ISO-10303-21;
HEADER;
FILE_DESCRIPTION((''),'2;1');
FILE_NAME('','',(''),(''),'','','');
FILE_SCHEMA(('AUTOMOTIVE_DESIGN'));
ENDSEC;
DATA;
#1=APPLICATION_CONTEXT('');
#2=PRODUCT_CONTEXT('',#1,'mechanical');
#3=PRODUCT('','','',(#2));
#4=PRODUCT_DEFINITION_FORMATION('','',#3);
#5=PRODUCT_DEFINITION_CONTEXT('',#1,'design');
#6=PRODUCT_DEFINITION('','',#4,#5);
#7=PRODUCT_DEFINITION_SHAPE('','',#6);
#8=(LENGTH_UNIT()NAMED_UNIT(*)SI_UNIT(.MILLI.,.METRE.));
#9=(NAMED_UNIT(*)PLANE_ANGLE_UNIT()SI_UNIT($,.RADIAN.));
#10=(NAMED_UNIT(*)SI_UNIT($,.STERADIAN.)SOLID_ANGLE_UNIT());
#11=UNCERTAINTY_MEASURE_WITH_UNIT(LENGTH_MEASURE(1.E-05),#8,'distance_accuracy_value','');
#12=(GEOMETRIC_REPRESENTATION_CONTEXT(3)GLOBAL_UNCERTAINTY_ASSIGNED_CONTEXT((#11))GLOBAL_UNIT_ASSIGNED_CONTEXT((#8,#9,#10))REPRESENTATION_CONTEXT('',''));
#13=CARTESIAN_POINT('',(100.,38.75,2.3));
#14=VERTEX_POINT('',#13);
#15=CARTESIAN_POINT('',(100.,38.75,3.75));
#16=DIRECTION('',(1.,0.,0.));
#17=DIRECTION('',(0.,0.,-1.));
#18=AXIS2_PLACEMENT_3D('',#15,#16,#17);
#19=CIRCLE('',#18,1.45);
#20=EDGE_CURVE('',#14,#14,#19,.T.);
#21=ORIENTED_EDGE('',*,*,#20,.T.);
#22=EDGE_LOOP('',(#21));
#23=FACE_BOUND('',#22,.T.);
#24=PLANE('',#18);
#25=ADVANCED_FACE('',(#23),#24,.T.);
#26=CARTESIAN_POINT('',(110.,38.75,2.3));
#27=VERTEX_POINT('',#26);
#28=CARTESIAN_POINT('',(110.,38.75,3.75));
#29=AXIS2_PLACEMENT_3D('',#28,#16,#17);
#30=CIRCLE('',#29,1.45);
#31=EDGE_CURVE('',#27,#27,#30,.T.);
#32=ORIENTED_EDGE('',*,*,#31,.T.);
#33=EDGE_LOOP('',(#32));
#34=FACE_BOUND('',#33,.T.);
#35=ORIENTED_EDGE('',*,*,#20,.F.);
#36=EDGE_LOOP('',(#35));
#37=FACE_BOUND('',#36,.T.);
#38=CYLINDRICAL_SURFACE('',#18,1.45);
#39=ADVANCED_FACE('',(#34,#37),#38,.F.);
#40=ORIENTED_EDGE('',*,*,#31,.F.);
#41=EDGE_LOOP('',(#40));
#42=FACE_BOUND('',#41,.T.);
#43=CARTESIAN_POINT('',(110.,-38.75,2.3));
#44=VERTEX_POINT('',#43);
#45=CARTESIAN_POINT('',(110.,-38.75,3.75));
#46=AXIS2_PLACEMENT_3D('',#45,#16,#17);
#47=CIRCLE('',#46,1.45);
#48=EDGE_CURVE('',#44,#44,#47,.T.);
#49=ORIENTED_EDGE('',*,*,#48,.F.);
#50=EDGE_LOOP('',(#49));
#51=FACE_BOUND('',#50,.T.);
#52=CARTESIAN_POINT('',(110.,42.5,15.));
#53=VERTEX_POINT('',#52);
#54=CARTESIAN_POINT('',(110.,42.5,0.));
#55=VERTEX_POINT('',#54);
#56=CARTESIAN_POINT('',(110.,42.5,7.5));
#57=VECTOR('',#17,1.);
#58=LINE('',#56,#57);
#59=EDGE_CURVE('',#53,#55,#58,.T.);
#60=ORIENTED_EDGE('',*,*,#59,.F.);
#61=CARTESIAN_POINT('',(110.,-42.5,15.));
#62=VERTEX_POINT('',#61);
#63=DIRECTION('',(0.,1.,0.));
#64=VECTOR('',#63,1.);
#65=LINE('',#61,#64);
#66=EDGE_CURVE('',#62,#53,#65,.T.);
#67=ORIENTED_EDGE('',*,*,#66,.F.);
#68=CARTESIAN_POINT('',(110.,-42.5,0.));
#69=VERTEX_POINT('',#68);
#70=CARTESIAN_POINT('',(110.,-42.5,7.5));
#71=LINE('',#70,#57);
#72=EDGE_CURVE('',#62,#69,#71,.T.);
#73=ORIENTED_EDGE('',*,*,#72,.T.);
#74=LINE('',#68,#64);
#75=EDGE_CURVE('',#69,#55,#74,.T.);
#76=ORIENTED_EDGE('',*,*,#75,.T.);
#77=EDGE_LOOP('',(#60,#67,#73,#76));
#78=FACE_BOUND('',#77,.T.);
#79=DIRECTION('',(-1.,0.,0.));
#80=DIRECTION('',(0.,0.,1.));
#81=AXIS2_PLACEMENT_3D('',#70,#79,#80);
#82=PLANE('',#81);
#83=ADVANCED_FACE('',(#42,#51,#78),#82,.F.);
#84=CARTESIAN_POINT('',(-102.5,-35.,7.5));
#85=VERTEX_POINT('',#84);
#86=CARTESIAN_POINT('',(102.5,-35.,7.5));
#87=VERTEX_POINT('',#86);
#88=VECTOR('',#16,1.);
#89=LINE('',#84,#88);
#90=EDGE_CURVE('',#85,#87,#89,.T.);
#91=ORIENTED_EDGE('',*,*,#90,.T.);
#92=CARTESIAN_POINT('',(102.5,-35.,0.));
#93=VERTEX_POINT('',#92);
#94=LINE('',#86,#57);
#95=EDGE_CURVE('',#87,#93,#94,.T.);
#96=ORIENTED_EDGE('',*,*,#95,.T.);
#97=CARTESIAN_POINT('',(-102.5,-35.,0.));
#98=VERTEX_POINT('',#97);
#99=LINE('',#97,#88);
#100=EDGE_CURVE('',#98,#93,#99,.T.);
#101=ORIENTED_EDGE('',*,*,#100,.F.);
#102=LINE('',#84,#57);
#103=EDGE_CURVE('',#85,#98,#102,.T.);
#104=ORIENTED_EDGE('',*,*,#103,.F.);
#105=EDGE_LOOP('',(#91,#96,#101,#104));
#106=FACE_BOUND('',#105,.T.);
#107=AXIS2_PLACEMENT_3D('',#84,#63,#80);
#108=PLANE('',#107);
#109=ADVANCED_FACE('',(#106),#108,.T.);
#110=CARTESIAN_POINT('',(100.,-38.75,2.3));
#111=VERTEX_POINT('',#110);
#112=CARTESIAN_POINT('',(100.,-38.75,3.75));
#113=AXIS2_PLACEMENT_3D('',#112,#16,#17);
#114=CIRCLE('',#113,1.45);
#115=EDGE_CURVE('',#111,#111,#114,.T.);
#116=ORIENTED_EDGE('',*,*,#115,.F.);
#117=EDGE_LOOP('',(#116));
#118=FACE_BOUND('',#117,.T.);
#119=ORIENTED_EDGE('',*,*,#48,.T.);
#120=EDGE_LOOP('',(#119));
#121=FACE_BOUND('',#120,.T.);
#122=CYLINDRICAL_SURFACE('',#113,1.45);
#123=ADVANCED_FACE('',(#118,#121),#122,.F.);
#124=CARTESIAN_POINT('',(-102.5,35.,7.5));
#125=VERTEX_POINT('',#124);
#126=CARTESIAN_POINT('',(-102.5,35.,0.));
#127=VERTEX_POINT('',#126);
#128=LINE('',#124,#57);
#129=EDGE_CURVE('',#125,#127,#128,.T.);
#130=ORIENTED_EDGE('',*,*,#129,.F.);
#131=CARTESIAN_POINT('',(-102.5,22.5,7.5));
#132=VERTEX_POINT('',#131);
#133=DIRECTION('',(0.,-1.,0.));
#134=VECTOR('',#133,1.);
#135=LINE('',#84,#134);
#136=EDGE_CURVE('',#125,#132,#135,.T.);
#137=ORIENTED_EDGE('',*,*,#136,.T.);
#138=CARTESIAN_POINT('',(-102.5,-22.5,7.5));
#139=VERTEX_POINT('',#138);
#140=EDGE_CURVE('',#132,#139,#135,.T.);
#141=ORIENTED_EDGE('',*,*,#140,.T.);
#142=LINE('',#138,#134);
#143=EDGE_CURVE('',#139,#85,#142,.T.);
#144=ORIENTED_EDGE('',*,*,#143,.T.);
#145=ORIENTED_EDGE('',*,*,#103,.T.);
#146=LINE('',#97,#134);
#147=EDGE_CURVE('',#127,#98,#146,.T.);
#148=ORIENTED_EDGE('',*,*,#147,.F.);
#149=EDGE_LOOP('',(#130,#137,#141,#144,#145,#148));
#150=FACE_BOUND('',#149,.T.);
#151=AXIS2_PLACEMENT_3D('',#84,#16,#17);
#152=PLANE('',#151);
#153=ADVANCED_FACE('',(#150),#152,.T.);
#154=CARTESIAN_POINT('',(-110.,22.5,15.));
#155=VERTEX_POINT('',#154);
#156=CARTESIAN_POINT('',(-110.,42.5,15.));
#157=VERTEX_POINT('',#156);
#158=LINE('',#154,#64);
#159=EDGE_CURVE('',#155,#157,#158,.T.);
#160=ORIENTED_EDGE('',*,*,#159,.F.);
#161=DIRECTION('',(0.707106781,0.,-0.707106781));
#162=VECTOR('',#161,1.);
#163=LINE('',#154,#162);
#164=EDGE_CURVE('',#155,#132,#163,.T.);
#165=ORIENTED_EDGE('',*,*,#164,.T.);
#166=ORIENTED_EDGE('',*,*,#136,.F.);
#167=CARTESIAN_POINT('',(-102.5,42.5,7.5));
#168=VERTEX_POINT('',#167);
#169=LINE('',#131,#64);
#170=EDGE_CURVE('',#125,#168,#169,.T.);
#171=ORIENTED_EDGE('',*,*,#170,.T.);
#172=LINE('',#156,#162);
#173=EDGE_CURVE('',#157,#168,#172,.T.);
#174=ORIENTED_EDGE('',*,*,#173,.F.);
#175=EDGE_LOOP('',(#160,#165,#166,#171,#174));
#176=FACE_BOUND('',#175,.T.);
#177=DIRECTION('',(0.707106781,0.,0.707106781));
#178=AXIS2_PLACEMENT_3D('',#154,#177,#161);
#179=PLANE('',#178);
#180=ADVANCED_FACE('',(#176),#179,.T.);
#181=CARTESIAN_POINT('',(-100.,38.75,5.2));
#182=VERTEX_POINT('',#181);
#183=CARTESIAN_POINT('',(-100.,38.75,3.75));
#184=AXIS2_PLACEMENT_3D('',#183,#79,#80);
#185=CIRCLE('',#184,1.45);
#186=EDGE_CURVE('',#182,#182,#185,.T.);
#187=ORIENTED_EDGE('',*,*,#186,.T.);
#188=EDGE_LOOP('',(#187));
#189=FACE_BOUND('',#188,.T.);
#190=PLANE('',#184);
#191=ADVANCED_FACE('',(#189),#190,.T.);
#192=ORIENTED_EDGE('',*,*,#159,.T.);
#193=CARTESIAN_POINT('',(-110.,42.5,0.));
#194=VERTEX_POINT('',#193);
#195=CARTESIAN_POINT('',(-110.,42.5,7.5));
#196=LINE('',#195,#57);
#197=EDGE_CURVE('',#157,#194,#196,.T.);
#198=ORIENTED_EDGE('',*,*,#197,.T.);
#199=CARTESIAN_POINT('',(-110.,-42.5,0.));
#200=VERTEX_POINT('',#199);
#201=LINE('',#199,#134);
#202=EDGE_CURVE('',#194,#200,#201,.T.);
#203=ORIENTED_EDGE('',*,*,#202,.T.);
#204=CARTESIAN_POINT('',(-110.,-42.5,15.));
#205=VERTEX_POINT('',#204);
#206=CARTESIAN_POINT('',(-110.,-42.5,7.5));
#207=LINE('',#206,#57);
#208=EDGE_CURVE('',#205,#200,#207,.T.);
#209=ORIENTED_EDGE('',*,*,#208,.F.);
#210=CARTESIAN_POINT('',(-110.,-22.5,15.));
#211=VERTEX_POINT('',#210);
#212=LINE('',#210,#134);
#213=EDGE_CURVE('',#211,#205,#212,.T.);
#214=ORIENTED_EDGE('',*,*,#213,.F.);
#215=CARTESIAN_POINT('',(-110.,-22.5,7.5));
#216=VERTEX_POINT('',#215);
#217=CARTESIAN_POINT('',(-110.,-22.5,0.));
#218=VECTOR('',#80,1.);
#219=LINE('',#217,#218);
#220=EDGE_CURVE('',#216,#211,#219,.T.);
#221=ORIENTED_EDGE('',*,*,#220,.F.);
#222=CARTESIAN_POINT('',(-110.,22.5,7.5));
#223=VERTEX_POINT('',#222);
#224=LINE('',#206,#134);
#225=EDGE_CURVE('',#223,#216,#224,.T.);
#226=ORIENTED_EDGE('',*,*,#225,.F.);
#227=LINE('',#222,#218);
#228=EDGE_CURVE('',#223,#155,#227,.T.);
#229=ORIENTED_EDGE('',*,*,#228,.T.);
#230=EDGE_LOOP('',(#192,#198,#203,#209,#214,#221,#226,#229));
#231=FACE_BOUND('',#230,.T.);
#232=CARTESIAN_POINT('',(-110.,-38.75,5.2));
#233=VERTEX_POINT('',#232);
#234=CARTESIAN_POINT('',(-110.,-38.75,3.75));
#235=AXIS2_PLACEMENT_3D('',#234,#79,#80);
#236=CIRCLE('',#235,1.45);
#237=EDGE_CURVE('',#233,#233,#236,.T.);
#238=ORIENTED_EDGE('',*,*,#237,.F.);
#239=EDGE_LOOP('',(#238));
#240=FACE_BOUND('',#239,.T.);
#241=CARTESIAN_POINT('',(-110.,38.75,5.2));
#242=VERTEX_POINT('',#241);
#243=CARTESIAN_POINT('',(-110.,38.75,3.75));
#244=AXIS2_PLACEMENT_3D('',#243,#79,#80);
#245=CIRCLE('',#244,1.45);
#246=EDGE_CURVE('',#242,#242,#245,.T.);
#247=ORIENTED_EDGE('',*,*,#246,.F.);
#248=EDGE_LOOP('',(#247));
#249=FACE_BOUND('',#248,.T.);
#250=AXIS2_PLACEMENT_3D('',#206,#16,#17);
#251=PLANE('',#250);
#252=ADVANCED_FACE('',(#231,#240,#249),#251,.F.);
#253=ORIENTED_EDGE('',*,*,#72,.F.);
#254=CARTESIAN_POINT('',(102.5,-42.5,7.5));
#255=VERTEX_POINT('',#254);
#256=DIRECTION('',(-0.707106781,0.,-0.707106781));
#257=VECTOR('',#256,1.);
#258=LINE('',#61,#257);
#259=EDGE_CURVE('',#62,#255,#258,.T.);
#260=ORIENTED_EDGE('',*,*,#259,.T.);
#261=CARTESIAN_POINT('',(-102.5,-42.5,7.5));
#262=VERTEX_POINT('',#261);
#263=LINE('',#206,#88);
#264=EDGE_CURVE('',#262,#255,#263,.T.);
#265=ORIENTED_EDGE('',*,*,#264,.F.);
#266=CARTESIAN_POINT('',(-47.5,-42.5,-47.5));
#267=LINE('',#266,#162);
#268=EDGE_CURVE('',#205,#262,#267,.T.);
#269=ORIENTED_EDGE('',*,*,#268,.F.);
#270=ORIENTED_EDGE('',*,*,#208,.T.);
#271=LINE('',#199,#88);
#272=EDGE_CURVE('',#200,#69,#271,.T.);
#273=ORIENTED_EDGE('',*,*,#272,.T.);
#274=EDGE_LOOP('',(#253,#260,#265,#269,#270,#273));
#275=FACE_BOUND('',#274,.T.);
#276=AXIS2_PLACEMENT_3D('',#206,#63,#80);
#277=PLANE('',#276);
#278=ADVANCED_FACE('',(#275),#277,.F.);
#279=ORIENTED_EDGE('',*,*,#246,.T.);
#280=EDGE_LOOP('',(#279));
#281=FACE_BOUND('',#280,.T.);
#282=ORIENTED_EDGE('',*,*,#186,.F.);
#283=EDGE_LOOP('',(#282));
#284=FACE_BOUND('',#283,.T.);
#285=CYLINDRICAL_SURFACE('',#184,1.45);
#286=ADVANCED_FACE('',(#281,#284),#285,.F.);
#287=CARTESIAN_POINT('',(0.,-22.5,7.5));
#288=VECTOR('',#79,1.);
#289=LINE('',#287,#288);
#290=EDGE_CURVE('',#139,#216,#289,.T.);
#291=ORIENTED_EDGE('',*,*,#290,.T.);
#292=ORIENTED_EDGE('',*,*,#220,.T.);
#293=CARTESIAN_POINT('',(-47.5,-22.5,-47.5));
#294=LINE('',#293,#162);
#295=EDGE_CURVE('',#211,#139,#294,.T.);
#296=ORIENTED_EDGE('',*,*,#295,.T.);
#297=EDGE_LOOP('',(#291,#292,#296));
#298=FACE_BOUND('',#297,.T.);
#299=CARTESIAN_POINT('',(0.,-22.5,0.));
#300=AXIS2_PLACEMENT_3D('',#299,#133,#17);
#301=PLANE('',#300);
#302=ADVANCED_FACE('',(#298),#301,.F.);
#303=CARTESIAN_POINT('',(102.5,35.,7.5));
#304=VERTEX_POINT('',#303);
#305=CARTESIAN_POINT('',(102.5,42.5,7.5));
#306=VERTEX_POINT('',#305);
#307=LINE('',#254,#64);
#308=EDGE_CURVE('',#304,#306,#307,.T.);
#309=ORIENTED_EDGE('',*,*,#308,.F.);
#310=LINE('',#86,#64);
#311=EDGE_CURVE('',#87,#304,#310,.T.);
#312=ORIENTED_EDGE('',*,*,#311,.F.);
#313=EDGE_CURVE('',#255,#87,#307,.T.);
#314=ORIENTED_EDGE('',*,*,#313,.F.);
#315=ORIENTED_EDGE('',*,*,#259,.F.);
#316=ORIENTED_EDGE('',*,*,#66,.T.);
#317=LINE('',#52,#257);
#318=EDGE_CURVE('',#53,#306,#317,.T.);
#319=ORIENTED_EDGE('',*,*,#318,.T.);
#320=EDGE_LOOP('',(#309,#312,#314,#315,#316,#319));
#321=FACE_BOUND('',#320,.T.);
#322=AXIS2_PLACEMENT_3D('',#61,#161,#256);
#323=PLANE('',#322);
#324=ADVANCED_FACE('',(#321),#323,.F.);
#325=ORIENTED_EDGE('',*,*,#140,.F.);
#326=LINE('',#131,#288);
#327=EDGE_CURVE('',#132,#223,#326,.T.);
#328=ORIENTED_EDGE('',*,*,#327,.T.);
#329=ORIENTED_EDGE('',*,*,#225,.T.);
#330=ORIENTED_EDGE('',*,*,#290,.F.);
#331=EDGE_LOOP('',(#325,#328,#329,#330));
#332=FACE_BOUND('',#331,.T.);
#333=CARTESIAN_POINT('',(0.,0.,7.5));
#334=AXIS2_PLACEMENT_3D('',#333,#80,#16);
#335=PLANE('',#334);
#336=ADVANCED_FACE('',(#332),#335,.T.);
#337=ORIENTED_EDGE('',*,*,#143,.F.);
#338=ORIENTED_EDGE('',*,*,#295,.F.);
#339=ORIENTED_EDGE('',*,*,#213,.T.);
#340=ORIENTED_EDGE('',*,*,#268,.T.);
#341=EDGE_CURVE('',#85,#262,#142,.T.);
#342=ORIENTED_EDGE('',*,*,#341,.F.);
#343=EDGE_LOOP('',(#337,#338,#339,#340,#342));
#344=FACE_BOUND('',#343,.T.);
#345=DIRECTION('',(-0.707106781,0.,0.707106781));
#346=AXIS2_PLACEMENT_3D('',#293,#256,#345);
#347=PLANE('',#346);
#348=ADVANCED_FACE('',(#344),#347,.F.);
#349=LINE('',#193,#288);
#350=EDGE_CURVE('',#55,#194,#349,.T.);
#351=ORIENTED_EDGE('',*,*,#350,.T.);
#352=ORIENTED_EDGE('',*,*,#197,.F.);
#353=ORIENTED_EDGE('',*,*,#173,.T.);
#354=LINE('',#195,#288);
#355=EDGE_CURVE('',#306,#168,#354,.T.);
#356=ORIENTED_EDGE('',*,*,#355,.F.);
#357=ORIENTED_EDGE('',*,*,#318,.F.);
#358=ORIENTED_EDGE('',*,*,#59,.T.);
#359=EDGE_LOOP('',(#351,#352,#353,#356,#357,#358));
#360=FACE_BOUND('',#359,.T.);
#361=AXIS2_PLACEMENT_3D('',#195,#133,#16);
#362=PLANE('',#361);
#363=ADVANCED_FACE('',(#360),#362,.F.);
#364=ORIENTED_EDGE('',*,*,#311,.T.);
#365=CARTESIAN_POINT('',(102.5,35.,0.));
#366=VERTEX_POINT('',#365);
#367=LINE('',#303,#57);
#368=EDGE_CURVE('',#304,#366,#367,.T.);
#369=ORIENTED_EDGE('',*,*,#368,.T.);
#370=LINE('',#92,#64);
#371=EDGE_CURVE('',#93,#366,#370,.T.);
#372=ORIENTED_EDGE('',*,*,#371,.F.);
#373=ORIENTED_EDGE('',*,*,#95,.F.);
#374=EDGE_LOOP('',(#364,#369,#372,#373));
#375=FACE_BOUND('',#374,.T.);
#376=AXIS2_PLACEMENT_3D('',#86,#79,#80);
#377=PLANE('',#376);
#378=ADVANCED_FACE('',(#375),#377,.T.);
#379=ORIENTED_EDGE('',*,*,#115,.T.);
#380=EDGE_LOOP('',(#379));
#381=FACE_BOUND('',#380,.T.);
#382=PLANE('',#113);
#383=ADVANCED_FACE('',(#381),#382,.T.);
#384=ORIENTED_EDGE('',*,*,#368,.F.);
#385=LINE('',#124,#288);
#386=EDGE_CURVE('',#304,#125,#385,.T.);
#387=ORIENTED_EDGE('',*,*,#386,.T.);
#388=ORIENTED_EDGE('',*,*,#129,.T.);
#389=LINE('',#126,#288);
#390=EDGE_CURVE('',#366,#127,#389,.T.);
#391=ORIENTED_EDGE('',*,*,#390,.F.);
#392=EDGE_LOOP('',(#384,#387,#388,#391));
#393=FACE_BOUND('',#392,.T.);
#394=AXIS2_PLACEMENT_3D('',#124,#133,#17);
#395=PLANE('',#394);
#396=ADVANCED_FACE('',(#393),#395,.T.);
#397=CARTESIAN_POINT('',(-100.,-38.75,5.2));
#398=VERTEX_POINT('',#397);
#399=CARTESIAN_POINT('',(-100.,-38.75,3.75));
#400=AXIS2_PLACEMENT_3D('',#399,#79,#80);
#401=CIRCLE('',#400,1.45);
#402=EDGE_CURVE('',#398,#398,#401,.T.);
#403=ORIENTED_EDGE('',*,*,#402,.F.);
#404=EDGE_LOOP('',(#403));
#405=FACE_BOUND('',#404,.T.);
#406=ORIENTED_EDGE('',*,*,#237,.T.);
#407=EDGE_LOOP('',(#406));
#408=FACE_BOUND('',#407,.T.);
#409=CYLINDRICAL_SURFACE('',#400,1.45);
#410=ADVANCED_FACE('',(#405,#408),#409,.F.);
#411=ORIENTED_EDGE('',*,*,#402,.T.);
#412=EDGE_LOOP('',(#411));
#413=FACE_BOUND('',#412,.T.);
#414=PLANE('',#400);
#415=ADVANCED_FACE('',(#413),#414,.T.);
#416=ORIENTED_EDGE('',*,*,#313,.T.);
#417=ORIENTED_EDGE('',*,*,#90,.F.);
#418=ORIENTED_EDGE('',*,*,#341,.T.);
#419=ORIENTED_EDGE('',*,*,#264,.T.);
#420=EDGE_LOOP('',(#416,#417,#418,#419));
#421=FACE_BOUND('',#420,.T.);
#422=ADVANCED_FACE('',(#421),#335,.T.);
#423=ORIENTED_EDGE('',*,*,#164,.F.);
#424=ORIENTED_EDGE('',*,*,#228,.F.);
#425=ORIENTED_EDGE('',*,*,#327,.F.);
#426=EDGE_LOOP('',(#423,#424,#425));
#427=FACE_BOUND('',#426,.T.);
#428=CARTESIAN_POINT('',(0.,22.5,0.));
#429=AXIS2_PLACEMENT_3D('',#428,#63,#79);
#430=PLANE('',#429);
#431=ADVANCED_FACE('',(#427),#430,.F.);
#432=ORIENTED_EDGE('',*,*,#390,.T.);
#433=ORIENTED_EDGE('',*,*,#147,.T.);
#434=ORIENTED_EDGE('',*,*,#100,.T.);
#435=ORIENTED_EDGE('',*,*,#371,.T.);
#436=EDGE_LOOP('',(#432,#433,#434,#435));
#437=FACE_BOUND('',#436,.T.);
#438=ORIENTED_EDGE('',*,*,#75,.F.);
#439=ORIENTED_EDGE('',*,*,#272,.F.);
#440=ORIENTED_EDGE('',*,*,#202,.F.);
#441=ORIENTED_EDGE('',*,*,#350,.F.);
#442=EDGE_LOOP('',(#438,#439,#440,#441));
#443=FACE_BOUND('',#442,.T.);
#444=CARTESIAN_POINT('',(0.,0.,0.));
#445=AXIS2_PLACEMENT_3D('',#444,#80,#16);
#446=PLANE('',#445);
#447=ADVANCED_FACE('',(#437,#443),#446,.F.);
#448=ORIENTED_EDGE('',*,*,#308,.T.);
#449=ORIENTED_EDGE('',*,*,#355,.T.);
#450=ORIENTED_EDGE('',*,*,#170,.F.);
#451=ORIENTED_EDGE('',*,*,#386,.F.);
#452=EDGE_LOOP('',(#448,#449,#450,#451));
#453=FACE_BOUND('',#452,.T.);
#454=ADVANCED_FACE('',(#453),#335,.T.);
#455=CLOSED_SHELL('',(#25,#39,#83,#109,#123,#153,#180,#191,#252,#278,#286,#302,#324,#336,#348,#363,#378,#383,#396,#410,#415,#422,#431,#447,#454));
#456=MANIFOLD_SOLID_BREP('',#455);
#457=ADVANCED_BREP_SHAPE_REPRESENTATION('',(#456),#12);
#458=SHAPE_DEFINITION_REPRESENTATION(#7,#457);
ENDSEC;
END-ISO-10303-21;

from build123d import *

# Parameters (mm, degrees)
SKETCH1_W           = 85
SKETCH1_H           = 220
SKETCH1_W_2         = 70
SKETCH1_H_2         = 205
BOSS_EXTRUDE1_DEPTH = 7.5
SKETCH2_R           = 1.45
CUT_EXTRUDE1_DEPTH  = 10
CUT_EXTRUDE2_START  = -10
SKETCH3_R           = 1.45
CUT_EXTRUDE2_DEPTH  = 10
BOSS_EXTRUDE3_DEPTH = 85
BOSS_EXTRUDE4_DEPTH = 20
BOSS_EXTRUDE5_DEPTH = 20


with BuildPart() as part:
    # Sketch1 → Boss-Extrude1 (new body)
    with BuildSketch(Plane(origin=(0, 0, 0), x_dir=(0, 1, 0), z_dir=(0, 0, 1))):
        Rectangle(SKETCH1_W, SKETCH1_H)
        Rectangle(SKETCH1_W_2, SKETCH1_H_2, mode=Mode.SUBTRACT)
    extrude(amount=BOSS_EXTRUDE1_DEPTH)

    # Sketch2 → Cut-Extrude1 (cut)
    with BuildSketch(Plane(origin=(-110, 0, 0), x_dir=(0, -1, 0), z_dir=(-1, 0, 0))):
        with Locations(Location((-38.75, 3.75, 0), (0, 0, 90))):
            Circle(SKETCH2_R)
        with Locations(Location((38.75, 3.75, 0), (0, 0, 90))):
            Circle(SKETCH2_R)
    extrude(amount=-CUT_EXTRUDE1_DEPTH, mode=Mode.SUBTRACT)

    # Sketch3 → Cut-Extrude2 (cut)
    with BuildSketch(Plane.YZ.offset(110).offset(CUT_EXTRUDE2_START)):
        with Locations(Location((-38.75, 3.75, 0), (0, 0, 90))):
            Circle(SKETCH3_R)
        with Locations(Location((38.75, 3.75, 0), (0, 0, 90))):
            Circle(SKETCH3_R)
    extrude(amount=CUT_EXTRUDE2_DEPTH, mode=Mode.SUBTRACT)

    # Sketch5 → Boss-Extrude3 (add, through all)
    with BuildSketch(Plane(origin=(0, 42.5, 0), x_dir=(-1, 0, 0), z_dir=(0, 1, 0))):
        Polygon((-110, 7.5), (-110, 15), (-102.5, 7.5), align=None)
    extrude(amount=-BOSS_EXTRUDE3_DEPTH)

    # Sketch5<4> → Boss-Extrude4 (add)
    with BuildSketch(Plane(origin=(0, 42.5, 0), x_dir=(-1, 0, 0), z_dir=(0, 1, 0))):
        Polygon((110, 7.5), (110, 15), (102.5, 7.5), align=None)
    extrude(amount=-BOSS_EXTRUDE4_DEPTH)

    # Sketch4 → Boss-Extrude5 (add)
    with BuildSketch(Plane.XZ.offset(42.5)):
        Polygon((-110, 15), (-110, 7.5), (-102.5, 7.5), align=None)
    extrude(amount=-BOSS_EXTRUDE5_DEPTH)


solid = part.part
